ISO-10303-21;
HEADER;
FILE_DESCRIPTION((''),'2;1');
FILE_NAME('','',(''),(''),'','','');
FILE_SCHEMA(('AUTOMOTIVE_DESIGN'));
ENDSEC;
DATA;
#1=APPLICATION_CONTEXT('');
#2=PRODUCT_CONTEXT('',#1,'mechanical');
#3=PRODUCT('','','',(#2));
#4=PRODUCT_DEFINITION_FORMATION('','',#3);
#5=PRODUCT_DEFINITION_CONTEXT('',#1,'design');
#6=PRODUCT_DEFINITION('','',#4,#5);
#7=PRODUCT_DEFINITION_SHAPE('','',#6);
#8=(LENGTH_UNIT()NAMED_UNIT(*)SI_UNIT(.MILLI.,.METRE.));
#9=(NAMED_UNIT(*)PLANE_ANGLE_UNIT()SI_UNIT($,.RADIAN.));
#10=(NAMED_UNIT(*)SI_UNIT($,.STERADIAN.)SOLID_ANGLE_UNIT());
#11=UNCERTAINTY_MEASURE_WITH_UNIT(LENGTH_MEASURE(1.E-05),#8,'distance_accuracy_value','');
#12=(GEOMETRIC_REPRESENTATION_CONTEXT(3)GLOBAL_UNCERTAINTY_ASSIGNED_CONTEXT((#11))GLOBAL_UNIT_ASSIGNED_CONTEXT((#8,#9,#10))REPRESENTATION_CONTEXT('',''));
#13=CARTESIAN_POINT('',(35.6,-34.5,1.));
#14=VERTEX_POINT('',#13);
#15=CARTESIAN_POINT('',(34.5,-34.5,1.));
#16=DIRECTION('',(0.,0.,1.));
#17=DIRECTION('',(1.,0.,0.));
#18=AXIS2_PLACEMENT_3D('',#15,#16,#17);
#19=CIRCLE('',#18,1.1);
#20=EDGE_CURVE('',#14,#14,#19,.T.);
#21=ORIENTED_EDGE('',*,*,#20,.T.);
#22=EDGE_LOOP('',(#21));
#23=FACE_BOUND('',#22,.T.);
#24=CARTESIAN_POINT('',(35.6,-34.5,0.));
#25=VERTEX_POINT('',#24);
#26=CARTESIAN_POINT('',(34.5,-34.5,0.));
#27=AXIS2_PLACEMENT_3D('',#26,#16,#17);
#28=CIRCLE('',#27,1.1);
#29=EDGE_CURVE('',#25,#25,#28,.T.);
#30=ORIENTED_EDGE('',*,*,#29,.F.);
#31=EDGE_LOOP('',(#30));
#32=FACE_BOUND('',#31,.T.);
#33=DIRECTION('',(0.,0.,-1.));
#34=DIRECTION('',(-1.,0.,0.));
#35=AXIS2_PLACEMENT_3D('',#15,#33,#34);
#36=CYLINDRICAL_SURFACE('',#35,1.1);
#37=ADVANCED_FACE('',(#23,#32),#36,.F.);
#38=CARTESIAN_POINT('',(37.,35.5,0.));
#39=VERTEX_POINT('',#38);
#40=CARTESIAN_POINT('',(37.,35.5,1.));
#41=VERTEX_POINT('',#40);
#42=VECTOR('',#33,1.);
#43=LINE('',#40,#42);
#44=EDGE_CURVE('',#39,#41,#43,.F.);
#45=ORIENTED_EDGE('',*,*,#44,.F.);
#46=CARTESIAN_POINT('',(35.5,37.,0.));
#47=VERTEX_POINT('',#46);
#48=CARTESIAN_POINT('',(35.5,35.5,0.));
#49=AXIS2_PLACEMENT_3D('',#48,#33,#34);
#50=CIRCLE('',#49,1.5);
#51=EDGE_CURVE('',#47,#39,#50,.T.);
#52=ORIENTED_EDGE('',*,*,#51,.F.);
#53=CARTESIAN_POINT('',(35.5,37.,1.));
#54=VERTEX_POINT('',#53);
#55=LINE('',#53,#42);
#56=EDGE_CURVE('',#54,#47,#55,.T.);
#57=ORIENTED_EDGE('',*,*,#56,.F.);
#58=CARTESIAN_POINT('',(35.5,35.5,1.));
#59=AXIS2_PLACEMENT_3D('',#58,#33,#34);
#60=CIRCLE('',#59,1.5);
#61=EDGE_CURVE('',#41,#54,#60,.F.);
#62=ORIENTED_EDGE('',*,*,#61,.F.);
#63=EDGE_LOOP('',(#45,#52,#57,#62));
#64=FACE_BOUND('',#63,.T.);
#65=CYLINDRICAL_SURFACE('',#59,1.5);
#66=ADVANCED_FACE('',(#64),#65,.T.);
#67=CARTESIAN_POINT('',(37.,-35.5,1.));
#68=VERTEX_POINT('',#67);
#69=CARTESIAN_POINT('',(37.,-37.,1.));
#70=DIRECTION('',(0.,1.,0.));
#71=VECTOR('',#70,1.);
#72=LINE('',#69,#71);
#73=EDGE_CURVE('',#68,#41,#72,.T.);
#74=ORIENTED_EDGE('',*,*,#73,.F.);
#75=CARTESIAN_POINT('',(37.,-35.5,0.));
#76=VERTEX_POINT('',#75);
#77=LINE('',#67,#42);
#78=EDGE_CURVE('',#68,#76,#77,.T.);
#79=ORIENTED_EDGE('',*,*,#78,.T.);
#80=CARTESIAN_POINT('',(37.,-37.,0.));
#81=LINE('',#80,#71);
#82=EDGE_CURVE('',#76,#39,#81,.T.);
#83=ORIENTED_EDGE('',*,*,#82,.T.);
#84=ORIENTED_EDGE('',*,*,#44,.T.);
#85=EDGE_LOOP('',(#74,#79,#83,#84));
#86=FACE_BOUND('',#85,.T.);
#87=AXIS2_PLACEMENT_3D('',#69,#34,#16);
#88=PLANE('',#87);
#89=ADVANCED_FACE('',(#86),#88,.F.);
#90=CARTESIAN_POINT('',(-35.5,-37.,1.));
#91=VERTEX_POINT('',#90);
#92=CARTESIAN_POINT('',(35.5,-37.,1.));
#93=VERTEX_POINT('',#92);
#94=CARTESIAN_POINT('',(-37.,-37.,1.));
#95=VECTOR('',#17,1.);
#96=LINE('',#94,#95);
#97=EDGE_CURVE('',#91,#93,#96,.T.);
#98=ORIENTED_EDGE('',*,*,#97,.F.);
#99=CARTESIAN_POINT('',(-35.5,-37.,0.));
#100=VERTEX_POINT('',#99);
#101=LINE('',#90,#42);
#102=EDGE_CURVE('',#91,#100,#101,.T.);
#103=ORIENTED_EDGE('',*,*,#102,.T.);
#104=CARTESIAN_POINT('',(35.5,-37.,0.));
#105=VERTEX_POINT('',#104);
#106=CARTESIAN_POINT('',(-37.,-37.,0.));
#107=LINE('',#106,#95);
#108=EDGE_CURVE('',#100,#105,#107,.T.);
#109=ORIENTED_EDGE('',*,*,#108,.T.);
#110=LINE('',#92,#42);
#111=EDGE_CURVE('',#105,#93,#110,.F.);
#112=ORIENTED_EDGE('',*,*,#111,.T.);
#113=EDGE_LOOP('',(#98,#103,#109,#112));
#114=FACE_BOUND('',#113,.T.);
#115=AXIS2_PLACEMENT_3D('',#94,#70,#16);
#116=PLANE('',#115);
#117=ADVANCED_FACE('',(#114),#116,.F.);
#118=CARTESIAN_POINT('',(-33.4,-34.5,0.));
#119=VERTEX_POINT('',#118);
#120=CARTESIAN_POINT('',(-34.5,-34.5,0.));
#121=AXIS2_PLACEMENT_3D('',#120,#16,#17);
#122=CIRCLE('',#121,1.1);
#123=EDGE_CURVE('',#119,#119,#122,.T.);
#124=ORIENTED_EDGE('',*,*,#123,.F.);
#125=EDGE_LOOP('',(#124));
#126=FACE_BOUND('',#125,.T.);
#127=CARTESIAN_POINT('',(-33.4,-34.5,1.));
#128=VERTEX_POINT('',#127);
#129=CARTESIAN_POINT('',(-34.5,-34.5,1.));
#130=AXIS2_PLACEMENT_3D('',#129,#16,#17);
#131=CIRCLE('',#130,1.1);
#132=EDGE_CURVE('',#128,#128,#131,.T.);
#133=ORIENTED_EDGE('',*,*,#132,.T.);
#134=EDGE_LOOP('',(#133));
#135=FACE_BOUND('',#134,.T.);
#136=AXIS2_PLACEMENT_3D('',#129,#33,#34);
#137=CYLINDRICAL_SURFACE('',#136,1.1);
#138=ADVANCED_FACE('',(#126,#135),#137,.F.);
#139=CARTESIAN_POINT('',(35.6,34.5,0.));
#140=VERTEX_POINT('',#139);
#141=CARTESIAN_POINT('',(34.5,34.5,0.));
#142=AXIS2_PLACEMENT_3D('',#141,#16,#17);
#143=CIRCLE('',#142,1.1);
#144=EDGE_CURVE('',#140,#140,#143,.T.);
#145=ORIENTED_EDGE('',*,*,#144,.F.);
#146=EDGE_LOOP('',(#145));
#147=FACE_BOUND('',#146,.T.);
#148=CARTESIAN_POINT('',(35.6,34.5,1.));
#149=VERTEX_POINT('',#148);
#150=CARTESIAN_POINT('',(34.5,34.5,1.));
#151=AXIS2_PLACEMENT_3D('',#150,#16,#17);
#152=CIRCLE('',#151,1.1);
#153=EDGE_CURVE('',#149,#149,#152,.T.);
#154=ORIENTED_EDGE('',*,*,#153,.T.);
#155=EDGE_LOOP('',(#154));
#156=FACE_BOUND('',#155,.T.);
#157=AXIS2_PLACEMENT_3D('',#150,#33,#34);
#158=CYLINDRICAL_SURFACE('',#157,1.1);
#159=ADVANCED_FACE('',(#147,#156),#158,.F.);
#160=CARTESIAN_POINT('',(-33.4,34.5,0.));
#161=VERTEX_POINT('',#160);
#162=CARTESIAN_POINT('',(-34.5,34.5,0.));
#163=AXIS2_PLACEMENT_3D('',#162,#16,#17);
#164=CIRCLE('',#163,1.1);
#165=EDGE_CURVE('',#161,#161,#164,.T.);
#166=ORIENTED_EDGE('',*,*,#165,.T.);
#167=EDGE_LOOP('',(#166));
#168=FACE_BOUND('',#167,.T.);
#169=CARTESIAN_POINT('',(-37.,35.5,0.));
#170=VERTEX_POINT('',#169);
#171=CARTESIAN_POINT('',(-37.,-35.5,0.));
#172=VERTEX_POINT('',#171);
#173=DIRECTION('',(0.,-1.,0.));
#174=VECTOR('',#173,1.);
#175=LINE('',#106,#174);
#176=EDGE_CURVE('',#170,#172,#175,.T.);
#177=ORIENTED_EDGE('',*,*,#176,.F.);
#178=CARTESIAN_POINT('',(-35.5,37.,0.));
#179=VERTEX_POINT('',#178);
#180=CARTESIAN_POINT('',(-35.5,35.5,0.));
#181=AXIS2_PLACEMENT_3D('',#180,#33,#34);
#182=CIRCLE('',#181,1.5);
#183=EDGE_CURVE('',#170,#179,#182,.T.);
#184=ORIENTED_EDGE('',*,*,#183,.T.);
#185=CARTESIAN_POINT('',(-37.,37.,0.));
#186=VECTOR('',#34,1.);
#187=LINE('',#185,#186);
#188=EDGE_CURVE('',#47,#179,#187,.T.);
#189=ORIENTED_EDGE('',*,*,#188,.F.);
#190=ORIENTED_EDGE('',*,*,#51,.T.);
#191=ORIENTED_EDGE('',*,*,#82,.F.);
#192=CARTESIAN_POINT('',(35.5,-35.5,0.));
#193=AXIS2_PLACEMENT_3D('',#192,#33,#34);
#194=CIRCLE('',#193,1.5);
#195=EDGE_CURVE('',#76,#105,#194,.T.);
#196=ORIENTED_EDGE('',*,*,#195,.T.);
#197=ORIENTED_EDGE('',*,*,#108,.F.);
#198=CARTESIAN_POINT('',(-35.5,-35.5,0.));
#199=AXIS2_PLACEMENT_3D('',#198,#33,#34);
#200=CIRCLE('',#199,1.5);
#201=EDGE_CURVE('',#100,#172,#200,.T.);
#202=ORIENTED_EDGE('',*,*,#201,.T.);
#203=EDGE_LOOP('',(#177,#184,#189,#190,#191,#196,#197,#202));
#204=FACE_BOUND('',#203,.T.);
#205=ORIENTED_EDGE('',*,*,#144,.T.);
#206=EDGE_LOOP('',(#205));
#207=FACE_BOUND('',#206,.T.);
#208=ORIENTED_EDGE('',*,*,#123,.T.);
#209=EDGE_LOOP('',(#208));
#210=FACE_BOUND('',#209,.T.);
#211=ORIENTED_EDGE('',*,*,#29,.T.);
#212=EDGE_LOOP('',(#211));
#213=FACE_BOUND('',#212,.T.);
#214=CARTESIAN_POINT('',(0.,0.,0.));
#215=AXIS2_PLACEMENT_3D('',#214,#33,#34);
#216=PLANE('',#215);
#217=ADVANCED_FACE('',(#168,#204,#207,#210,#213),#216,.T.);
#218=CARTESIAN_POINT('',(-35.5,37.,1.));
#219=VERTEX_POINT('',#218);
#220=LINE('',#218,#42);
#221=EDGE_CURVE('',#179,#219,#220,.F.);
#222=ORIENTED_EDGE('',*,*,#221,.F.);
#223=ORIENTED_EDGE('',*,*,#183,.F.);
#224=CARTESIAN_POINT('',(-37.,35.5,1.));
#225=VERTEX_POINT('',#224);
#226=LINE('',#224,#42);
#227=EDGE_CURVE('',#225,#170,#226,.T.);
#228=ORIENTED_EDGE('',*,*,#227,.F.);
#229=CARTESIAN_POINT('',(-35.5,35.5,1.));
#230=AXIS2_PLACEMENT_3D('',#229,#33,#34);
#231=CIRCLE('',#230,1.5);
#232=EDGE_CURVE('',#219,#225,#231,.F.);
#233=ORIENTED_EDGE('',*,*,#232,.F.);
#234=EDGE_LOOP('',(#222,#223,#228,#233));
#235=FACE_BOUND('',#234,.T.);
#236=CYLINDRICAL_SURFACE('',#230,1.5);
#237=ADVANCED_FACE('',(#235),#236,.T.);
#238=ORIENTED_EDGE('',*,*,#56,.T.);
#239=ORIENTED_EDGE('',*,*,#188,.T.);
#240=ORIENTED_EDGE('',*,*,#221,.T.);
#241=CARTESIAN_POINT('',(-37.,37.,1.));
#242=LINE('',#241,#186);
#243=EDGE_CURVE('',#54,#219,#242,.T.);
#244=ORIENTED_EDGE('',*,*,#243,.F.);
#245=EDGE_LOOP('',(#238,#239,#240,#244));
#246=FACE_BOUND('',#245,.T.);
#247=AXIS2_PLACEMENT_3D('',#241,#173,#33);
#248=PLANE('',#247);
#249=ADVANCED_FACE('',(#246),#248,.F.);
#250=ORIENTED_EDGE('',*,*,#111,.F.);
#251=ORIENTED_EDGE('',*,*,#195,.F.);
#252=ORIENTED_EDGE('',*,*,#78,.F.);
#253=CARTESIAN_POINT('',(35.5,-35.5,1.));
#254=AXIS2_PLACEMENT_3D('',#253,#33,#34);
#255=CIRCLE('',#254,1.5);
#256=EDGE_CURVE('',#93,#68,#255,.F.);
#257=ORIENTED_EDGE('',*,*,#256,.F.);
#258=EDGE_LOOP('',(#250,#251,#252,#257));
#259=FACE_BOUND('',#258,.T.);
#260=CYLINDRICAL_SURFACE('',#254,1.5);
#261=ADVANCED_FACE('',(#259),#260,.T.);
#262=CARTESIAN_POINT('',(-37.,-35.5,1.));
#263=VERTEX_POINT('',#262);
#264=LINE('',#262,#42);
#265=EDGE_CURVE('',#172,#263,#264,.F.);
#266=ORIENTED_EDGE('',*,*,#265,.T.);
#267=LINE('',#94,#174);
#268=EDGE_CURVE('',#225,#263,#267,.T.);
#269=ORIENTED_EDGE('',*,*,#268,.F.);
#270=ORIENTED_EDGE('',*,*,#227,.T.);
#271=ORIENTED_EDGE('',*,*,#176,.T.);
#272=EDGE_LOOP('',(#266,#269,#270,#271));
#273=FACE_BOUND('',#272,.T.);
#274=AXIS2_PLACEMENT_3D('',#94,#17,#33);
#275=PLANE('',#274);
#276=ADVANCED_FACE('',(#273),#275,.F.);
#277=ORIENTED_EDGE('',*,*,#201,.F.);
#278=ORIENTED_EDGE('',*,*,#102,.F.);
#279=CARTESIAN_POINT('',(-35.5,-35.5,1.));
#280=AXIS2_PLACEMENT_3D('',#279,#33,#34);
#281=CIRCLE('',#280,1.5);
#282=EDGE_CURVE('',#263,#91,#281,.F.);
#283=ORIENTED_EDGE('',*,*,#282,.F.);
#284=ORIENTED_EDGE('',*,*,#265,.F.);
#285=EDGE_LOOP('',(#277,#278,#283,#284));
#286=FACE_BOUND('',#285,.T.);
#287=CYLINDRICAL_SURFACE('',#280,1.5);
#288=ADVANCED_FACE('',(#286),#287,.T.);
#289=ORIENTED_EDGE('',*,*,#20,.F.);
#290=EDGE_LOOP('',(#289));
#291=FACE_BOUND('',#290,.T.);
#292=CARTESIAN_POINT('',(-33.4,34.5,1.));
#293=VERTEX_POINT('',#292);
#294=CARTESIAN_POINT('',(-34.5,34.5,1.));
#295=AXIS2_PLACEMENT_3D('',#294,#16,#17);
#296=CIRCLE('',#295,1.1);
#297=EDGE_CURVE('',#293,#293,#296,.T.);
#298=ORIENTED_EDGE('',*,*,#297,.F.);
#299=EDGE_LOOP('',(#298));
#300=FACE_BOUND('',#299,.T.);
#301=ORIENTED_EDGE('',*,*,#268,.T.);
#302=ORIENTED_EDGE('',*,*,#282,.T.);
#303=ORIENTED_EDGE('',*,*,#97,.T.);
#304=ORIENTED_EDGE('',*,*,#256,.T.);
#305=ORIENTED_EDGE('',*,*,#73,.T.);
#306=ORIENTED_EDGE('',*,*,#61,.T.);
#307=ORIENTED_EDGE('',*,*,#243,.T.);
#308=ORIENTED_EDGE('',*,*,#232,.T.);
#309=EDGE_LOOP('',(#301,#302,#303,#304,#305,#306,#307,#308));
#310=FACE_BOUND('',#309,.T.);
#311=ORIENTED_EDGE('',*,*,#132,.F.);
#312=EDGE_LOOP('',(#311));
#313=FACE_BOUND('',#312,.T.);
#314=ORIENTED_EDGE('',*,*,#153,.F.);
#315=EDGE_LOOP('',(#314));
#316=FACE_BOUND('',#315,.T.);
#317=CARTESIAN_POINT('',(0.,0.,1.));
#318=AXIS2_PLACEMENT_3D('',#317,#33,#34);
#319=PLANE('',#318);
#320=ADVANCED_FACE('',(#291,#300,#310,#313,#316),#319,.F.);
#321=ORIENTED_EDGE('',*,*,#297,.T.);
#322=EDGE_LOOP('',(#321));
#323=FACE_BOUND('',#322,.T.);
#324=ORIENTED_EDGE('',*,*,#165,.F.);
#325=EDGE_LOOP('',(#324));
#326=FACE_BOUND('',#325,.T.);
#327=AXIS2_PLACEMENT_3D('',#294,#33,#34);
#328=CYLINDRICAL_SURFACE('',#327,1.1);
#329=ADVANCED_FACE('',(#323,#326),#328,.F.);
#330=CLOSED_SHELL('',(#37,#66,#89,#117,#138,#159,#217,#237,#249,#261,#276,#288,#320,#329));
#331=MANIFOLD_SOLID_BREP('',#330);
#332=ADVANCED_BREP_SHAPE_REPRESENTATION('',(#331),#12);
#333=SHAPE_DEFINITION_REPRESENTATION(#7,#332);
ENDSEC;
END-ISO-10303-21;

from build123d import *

# Parameters (mm, degrees)
SKETCH_1_W      = 74
SKETCH_1_H      = 74
SKETCH_1_R      = 1.1
EXTRUDE_1_DEPTH = 1
FILLET_1_R      = 1.5


with BuildPart() as part:
    # 草图1 → 凸台-拉伸1 (new body)
    with BuildSketch(Plane.XY):
        Rectangle(SKETCH_1_W, SKETCH_1_H)
        with Locations((-34.5, 34.5)):
            Circle(SKETCH_1_R, mode=Mode.SUBTRACT)
        with Locations((34.5, 34.5)):
            Circle(SKETCH_1_R, mode=Mode.SUBTRACT)
        with Locations((34.5, -34.5)):
            Circle(SKETCH_1_R, mode=Mode.SUBTRACT)
        with Locations((-34.5, -34.5)):
            Circle(SKETCH_1_R, mode=Mode.SUBTRACT)
    extrude(amount=EXTRUDE_1_DEPTH)

    # 圆角1
    fillet_1_edges = [part.edges().sort_by_distance(p)[0] for p in [
        (37, -37, 0.5),
        (-37, -37, 0.5),
        (-37, 37, 0.5),
        (37, 37, 0.5),
    ]]
    fillet(fillet_1_edges, radius=FILLET_1_R)


solid = part.part
